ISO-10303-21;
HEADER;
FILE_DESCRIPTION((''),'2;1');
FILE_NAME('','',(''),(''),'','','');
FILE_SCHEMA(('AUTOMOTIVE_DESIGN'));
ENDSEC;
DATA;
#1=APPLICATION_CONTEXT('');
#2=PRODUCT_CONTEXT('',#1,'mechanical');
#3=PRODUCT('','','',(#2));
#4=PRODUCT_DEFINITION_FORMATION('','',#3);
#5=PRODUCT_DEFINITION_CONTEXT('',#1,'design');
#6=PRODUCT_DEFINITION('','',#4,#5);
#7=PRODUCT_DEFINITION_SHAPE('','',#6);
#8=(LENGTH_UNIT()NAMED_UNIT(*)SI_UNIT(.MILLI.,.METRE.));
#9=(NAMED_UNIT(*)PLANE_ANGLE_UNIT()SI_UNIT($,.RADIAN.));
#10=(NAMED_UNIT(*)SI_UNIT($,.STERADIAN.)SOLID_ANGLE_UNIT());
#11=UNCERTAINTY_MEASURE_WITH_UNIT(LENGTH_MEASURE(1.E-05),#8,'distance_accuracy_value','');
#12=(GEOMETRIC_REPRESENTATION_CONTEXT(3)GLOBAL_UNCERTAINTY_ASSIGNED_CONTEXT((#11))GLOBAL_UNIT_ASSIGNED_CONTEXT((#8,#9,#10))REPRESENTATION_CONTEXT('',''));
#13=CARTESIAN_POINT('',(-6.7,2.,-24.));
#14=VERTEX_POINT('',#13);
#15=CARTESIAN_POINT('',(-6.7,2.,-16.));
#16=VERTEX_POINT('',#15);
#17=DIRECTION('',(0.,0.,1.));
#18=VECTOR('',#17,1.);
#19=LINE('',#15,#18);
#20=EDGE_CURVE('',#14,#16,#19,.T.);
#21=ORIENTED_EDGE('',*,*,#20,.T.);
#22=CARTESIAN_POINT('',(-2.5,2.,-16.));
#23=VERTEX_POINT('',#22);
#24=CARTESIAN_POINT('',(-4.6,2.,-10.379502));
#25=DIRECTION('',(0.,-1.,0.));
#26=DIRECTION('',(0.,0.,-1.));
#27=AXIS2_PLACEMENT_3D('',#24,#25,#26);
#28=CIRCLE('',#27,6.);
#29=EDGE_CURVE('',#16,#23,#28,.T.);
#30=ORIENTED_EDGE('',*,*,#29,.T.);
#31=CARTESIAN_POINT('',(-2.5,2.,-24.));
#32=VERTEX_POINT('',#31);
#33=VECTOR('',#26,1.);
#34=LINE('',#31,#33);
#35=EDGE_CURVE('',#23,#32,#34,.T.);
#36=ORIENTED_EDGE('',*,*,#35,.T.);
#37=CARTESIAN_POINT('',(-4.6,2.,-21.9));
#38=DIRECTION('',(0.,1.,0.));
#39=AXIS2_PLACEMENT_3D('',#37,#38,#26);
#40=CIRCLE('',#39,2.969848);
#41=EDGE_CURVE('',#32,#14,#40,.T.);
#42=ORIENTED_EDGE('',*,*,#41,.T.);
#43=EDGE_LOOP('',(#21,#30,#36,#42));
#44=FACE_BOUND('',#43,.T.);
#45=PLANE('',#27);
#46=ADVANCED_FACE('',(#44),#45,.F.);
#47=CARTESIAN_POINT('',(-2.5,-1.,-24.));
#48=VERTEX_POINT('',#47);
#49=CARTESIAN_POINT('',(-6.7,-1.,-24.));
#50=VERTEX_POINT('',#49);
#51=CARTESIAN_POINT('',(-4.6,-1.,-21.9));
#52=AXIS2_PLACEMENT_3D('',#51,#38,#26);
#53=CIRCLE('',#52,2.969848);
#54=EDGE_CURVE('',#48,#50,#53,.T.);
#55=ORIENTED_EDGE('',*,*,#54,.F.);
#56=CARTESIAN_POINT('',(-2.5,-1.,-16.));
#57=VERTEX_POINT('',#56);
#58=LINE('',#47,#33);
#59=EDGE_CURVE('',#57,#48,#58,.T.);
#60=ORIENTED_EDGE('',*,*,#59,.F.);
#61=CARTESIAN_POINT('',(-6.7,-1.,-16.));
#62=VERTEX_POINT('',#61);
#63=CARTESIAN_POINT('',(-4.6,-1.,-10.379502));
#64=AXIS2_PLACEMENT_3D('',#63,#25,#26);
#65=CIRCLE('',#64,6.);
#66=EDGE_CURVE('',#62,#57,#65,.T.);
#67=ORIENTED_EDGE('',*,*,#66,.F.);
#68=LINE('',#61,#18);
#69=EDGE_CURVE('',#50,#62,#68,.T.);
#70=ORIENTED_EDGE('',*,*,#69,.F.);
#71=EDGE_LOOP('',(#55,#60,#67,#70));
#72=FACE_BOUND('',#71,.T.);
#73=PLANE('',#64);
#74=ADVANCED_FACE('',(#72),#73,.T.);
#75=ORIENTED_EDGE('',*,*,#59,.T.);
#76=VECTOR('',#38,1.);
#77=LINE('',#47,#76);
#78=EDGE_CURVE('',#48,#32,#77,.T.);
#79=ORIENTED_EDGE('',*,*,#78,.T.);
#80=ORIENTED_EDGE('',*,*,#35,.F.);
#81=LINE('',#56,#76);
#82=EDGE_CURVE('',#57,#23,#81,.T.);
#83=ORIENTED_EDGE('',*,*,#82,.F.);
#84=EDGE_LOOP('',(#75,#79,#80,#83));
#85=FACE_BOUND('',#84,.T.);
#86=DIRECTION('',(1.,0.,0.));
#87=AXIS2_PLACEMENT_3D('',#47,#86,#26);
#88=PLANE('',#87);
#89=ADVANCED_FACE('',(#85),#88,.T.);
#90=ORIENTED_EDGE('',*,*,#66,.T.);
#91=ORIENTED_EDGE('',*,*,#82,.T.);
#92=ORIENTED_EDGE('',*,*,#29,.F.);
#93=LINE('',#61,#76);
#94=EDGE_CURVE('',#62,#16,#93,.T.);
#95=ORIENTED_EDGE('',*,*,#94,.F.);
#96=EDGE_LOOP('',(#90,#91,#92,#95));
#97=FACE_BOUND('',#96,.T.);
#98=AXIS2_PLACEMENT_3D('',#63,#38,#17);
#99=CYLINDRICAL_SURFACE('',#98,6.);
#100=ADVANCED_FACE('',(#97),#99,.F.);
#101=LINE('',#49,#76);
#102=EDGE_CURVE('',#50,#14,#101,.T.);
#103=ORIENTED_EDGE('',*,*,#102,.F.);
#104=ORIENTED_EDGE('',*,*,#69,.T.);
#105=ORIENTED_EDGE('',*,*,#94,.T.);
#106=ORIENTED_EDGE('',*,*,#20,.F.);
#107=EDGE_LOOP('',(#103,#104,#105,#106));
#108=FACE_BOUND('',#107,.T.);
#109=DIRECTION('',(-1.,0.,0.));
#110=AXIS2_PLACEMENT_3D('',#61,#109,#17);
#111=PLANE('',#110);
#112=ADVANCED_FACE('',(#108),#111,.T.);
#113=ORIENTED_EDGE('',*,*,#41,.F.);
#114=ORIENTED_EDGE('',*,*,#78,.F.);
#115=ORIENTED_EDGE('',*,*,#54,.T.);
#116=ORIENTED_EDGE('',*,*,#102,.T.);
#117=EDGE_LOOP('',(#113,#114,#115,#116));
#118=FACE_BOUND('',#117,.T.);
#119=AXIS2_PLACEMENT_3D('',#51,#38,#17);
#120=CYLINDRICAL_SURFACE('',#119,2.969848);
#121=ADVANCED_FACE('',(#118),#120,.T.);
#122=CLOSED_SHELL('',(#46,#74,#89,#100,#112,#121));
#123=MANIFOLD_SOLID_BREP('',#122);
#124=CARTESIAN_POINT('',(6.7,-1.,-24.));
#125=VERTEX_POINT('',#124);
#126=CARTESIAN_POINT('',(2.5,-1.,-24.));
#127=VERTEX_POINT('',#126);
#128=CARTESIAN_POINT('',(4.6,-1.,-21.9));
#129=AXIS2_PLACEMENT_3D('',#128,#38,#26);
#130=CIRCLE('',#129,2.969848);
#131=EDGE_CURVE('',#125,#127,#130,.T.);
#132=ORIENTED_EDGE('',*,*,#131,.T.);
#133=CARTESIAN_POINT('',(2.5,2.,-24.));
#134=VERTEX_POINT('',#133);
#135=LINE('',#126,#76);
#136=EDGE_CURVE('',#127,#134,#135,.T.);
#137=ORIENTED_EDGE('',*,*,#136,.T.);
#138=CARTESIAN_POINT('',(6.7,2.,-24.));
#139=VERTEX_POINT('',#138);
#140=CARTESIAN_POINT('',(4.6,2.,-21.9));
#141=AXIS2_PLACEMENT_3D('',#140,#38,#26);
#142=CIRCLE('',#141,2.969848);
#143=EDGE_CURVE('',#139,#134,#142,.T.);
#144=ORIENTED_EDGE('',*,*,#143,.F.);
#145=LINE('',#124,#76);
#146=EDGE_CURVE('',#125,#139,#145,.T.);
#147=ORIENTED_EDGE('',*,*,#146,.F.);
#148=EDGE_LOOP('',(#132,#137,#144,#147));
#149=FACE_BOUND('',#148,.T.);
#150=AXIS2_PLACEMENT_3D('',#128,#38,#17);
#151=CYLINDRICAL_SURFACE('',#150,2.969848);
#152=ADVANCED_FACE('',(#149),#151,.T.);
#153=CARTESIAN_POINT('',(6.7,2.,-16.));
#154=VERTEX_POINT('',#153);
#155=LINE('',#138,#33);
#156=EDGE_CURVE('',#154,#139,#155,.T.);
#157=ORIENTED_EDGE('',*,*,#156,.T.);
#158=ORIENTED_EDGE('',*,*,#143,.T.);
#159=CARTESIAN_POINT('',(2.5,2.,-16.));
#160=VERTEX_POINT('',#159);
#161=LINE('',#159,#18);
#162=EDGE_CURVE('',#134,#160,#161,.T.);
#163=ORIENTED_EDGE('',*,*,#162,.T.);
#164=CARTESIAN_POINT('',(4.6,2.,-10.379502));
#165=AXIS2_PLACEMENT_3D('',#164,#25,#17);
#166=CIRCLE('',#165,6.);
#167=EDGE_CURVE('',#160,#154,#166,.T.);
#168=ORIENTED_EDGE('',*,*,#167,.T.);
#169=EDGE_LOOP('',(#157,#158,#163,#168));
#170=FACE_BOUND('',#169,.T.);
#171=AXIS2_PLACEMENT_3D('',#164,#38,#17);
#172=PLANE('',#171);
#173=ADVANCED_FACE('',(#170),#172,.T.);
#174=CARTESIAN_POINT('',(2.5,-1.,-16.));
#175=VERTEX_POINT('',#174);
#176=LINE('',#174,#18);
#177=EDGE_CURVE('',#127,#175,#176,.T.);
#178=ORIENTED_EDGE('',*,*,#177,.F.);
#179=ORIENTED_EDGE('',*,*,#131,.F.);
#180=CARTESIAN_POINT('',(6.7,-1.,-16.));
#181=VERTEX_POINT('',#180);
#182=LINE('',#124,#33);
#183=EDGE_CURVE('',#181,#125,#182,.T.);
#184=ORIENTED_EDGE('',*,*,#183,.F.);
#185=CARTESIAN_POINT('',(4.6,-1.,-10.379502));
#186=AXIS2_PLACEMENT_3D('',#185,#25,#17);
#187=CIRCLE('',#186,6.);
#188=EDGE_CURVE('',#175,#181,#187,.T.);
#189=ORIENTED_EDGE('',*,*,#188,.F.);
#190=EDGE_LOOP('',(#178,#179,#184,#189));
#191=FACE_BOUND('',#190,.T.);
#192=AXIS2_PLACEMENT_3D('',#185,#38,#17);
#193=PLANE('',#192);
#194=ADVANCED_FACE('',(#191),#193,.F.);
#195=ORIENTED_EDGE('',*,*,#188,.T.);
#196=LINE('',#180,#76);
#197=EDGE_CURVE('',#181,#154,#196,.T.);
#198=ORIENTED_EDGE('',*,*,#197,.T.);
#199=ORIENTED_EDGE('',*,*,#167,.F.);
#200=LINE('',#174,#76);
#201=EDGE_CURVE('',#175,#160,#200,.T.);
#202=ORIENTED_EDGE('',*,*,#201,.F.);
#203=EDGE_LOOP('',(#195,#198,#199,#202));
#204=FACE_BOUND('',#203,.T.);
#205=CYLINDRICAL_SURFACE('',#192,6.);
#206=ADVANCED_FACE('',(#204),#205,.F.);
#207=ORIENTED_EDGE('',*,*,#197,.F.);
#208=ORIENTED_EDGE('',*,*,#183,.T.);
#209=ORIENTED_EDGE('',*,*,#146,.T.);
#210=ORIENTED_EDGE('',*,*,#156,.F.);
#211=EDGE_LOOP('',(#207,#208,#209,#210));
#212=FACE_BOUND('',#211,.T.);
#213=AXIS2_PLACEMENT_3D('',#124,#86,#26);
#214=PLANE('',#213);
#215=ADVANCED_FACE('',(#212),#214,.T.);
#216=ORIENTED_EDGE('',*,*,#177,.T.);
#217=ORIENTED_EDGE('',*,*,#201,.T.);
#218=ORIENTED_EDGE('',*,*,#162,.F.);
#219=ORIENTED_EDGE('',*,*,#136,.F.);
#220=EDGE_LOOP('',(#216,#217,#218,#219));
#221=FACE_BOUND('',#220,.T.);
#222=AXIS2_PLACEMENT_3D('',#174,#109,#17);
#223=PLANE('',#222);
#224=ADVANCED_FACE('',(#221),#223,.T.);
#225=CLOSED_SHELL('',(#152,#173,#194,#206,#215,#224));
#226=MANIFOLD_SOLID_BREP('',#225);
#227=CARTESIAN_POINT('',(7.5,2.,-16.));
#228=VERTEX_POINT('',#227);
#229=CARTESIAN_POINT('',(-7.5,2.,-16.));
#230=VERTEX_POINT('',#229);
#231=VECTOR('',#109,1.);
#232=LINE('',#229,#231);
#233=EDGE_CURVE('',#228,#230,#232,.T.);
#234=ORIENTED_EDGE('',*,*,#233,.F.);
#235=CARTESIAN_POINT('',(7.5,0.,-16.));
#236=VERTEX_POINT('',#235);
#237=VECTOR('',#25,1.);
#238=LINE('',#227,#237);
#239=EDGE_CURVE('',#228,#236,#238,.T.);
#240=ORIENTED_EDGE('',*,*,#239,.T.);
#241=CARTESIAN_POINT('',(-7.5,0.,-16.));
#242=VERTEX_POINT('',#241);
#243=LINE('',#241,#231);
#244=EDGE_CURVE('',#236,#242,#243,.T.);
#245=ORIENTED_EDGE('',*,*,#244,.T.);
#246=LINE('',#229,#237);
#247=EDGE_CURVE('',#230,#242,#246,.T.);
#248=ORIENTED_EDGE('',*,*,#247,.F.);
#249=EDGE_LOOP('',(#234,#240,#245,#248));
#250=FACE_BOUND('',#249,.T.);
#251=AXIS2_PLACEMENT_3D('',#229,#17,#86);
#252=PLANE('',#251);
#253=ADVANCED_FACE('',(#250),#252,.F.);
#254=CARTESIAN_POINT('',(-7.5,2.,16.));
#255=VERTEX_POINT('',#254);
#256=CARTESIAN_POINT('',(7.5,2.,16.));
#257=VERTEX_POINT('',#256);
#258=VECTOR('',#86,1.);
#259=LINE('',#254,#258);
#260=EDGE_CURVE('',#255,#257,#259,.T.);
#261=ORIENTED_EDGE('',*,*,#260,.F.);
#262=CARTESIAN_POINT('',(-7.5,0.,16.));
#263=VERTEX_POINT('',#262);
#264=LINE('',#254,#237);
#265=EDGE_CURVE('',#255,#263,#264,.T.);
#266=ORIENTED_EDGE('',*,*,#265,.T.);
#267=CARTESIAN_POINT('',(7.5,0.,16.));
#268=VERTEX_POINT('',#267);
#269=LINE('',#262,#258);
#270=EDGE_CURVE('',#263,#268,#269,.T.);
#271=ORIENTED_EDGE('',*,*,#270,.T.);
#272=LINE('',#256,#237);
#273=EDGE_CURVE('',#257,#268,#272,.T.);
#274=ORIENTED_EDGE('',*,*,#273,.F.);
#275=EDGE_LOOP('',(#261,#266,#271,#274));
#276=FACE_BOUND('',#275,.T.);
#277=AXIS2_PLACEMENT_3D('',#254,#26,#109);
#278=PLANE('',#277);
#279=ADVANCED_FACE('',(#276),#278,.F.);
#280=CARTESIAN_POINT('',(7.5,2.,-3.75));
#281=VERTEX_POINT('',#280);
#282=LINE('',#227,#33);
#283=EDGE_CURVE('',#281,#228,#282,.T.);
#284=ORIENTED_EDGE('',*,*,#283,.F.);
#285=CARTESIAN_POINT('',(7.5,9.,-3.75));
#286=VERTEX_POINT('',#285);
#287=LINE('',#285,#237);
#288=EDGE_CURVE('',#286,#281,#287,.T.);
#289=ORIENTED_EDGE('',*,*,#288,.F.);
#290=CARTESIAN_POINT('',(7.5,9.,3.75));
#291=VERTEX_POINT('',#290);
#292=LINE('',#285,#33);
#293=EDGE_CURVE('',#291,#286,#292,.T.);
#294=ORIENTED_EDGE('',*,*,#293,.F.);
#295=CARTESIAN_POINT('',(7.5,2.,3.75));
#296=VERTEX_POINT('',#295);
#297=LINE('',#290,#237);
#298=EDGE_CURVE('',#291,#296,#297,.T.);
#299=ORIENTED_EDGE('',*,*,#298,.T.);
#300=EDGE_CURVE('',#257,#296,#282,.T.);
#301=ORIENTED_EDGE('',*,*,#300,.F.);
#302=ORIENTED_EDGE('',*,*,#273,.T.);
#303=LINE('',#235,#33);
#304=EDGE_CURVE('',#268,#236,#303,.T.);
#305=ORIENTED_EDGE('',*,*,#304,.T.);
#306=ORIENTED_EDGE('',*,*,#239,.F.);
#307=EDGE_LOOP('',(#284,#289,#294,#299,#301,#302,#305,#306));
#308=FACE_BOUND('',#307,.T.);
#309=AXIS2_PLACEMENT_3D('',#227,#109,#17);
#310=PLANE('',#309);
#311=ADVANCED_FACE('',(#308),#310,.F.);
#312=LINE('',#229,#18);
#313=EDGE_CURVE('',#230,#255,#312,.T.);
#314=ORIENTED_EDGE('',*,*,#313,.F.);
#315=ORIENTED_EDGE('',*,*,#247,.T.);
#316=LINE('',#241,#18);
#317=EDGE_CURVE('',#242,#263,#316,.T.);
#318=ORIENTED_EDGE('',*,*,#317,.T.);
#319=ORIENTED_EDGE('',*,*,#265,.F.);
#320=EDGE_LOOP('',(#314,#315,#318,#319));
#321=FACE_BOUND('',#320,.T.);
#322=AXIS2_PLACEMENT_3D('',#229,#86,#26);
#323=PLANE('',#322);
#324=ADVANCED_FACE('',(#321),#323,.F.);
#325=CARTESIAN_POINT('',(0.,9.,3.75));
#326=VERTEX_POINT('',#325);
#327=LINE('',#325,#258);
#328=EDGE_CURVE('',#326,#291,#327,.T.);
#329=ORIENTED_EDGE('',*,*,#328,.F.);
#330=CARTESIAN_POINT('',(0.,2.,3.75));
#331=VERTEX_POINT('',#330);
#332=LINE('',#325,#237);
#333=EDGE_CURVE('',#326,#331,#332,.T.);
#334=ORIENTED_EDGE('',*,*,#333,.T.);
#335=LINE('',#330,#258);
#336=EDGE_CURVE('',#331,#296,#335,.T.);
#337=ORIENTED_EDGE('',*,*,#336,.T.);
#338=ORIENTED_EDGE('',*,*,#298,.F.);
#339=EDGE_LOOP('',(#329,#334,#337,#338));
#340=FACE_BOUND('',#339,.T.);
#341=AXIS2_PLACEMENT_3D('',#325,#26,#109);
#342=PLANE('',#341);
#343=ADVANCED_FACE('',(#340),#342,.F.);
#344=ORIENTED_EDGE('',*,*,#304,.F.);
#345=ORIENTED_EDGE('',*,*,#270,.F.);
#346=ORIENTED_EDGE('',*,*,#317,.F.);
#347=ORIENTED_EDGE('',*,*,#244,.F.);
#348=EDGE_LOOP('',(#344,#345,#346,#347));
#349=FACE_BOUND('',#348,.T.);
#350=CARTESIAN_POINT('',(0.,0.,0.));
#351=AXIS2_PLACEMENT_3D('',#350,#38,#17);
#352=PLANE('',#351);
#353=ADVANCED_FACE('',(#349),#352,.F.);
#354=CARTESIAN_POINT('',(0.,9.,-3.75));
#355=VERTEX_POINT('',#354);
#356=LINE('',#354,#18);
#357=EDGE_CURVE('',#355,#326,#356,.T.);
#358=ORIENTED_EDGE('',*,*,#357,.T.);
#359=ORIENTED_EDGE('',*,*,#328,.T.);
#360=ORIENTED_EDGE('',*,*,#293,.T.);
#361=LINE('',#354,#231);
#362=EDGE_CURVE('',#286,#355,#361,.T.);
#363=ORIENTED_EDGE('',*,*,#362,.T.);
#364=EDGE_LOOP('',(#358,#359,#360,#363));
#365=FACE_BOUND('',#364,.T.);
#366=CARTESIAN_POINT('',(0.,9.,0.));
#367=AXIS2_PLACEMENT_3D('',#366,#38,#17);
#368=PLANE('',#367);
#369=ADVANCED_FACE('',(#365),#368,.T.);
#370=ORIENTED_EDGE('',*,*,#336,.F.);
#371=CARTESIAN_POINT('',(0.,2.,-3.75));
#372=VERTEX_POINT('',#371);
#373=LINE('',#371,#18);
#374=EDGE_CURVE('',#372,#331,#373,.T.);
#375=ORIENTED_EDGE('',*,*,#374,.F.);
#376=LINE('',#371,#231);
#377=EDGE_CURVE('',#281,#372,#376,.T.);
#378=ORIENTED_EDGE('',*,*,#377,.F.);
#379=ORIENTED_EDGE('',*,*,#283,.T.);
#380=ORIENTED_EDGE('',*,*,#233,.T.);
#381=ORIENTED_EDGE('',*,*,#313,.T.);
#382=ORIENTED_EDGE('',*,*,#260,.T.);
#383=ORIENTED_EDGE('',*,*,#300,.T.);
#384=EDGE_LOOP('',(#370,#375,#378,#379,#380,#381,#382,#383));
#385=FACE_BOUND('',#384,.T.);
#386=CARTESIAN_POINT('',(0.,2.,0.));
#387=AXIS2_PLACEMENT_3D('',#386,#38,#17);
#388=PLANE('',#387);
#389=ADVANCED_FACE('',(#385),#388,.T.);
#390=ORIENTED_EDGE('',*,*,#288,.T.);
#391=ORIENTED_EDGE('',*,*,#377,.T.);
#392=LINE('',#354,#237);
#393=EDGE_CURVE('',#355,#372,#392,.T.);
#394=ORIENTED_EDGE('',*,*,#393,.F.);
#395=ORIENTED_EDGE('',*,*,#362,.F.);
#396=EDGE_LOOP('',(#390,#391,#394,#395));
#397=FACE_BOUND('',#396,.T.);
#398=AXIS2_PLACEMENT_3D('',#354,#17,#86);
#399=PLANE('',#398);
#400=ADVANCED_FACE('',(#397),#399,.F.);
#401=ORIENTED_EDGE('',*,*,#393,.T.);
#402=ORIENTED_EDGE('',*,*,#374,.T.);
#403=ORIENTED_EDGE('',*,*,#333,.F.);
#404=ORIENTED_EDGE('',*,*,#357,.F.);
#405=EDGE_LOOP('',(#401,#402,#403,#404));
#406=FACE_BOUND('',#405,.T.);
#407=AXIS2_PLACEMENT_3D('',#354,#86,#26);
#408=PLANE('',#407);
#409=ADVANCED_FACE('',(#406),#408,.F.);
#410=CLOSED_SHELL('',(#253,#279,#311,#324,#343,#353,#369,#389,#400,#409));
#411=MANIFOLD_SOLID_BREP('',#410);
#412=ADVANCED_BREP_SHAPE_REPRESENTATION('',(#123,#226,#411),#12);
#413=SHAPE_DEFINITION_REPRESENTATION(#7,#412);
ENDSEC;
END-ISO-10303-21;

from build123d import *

# Parameters (mm, degrees)
SKETCH1_W             = 15
SKETCH1_H             = 32
BOSS_EXTRUDE1_DEPTH   = 2
SKETCH2_W             = 7.5
SKETCH2_H             = 7.5
BOSS_EXTRUDE2_DEPTH   = 7
BOSS_EXTRUDE3_DEPTH   = 3
BOSS_EXTRUDE3_2_DEPTH = 3


with BuildPart() as part:
    # Sketch1 → Boss-Extrude1 (new body)
    with BuildSketch(Plane(origin=(0, 0, 0), x_dir=(1, 0, 0), z_dir=(0, 1, 0))):
        Rectangle(SKETCH1_W, SKETCH1_H)
    extrude(amount=BOSS_EXTRUDE1_DEPTH)

    # Sketch2 → Boss-Extrude2 (add)
    with BuildSketch(Plane(origin=(0, 2, 0), x_dir=(1, 0, 0), z_dir=(0, 1, 0))):
        with Locations((3.75, 0)):
            Rectangle(SKETCH2_W, SKETCH2_H)
    extrude(amount=BOSS_EXTRUDE2_DEPTH)


with BuildPart() as body_2:
    # Sketch6 → Boss-Extrude3 (new body)
    with BuildSketch(Plane(origin=(0, 2, 0), x_dir=(1, 0, 0), z_dir=(0, 1, 0))):
        with BuildLine():
            Line((-6.7, 16), (-6.7, 24))
            ThreePointArc((-6.7, 24), (-4.6, 24.869848481), (-2.5, 24))
            Line((-2.5, 24), (-2.5, 16))
            ThreePointArc((-2.5, 16), (-4.6, 16.379501801), (-6.7, 16))
        make_face()
    extrude(amount=-BOSS_EXTRUDE3_DEPTH)


with BuildPart() as body_3:
    # Sketch6 → Boss-Extrude3 2 (new body)
    with BuildSketch(Plane(origin=(0, 2, 0), x_dir=(1, 0, 0), z_dir=(0, 1, 0))):
        with BuildLine():
            Line((2.5, 16), (2.5, 24))
            ThreePointArc((2.5, 24), (4.6, 24.869848481), (6.7, 24))
            Line((6.7, 24), (6.7, 16))
            ThreePointArc((6.7, 16), (4.6, 16.379501801), (2.5, 16))
        make_face()
    extrude(amount=-BOSS_EXTRUDE3_2_DEPTH)


solid = Compound([part.part, body_2.part, body_3.part])
